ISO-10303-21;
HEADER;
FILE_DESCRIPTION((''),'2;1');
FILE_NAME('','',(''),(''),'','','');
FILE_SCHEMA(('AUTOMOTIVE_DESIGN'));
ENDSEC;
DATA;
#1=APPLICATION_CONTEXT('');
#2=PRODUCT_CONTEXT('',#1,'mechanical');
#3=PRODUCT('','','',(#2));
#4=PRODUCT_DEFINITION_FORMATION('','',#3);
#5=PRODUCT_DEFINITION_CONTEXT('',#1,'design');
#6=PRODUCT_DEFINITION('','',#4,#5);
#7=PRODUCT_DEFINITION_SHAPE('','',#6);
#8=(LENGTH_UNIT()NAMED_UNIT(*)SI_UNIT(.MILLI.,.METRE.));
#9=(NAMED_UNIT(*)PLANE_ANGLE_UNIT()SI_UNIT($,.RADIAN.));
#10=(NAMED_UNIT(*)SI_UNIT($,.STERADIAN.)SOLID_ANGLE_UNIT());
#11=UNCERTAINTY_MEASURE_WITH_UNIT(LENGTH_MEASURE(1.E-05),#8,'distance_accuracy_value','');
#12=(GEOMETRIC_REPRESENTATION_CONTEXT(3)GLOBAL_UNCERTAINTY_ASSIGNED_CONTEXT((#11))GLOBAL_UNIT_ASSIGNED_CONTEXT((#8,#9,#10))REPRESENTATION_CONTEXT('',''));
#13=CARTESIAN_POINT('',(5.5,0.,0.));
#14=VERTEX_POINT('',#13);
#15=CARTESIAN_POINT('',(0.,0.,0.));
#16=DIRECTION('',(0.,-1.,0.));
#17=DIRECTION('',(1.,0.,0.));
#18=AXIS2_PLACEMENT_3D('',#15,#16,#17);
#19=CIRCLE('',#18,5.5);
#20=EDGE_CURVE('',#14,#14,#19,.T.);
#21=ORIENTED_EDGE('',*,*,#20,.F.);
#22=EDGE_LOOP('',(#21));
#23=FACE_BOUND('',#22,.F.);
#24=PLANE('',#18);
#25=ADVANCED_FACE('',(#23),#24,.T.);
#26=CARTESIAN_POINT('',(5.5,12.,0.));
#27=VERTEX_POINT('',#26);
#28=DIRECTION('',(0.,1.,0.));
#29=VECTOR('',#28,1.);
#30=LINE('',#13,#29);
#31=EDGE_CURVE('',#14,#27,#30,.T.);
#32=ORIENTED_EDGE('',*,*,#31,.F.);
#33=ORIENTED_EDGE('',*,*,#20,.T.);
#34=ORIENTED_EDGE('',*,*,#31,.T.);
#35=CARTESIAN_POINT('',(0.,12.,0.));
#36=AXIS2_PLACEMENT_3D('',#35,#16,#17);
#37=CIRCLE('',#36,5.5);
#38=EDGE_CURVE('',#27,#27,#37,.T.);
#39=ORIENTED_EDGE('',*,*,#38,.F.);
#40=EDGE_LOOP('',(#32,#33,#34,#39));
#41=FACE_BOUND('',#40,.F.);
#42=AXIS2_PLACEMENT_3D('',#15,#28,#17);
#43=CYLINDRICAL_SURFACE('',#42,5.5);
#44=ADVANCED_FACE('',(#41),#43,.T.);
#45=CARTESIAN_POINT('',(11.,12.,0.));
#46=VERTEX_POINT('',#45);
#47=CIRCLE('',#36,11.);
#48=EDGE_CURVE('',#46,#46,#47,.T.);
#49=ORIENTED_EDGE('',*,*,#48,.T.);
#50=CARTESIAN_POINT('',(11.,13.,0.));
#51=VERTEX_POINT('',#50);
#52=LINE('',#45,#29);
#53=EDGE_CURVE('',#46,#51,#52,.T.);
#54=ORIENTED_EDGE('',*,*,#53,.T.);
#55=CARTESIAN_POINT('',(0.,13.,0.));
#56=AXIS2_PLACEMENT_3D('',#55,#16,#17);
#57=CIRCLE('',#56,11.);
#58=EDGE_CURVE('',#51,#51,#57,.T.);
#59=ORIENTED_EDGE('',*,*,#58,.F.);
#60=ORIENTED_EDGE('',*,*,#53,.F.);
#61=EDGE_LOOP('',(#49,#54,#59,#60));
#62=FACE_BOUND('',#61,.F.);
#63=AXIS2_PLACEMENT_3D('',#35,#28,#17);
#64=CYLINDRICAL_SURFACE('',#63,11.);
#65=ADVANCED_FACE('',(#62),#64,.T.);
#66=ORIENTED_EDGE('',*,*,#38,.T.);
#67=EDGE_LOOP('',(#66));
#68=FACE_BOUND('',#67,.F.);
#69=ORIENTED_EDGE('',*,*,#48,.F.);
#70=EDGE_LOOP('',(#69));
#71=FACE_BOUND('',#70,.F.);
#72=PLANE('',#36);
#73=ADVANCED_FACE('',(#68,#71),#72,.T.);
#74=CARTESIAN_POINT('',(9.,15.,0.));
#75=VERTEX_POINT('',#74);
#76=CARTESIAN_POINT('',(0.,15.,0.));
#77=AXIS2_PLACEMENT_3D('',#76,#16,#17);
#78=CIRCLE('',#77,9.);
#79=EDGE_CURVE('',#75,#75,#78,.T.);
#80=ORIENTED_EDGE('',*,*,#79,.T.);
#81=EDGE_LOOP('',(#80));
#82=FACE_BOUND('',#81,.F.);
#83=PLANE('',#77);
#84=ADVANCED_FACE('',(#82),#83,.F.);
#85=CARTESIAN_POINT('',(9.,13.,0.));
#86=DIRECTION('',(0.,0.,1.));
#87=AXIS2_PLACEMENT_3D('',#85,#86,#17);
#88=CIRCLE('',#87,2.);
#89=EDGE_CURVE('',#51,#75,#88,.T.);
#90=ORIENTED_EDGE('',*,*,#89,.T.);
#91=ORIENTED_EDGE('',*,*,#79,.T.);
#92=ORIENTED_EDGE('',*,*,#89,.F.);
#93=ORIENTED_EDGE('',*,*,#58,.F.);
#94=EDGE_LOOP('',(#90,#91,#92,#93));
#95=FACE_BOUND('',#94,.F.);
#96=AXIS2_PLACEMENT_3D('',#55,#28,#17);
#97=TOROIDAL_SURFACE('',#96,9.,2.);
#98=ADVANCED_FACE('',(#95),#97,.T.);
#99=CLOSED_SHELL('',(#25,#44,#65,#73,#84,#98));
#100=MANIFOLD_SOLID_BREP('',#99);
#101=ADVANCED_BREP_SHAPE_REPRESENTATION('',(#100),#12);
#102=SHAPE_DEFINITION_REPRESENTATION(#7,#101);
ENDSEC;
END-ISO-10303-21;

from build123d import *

# Parameters (mm, degrees)
FILLET2_R = 2


with BuildPart() as part:
    # Sketch1 → Revolve1 (revolve)
    with BuildSketch(Plane.XY):
        Polygon((0, 0), (5.5, 0), (5.5, 12), (11, 12), (11, 15), (0, 15), align=None)
    revolve(axis=Axis((0, 15, 0), (0, -1, 0)))

    # Fillet2
    fillet2_edges = [part.edges().sort_by_distance(p)[0] for p in [
        (-11, 15, 0),
    ]]
    fillet(fillet2_edges, radius=FILLET2_R)


solid = part.part
